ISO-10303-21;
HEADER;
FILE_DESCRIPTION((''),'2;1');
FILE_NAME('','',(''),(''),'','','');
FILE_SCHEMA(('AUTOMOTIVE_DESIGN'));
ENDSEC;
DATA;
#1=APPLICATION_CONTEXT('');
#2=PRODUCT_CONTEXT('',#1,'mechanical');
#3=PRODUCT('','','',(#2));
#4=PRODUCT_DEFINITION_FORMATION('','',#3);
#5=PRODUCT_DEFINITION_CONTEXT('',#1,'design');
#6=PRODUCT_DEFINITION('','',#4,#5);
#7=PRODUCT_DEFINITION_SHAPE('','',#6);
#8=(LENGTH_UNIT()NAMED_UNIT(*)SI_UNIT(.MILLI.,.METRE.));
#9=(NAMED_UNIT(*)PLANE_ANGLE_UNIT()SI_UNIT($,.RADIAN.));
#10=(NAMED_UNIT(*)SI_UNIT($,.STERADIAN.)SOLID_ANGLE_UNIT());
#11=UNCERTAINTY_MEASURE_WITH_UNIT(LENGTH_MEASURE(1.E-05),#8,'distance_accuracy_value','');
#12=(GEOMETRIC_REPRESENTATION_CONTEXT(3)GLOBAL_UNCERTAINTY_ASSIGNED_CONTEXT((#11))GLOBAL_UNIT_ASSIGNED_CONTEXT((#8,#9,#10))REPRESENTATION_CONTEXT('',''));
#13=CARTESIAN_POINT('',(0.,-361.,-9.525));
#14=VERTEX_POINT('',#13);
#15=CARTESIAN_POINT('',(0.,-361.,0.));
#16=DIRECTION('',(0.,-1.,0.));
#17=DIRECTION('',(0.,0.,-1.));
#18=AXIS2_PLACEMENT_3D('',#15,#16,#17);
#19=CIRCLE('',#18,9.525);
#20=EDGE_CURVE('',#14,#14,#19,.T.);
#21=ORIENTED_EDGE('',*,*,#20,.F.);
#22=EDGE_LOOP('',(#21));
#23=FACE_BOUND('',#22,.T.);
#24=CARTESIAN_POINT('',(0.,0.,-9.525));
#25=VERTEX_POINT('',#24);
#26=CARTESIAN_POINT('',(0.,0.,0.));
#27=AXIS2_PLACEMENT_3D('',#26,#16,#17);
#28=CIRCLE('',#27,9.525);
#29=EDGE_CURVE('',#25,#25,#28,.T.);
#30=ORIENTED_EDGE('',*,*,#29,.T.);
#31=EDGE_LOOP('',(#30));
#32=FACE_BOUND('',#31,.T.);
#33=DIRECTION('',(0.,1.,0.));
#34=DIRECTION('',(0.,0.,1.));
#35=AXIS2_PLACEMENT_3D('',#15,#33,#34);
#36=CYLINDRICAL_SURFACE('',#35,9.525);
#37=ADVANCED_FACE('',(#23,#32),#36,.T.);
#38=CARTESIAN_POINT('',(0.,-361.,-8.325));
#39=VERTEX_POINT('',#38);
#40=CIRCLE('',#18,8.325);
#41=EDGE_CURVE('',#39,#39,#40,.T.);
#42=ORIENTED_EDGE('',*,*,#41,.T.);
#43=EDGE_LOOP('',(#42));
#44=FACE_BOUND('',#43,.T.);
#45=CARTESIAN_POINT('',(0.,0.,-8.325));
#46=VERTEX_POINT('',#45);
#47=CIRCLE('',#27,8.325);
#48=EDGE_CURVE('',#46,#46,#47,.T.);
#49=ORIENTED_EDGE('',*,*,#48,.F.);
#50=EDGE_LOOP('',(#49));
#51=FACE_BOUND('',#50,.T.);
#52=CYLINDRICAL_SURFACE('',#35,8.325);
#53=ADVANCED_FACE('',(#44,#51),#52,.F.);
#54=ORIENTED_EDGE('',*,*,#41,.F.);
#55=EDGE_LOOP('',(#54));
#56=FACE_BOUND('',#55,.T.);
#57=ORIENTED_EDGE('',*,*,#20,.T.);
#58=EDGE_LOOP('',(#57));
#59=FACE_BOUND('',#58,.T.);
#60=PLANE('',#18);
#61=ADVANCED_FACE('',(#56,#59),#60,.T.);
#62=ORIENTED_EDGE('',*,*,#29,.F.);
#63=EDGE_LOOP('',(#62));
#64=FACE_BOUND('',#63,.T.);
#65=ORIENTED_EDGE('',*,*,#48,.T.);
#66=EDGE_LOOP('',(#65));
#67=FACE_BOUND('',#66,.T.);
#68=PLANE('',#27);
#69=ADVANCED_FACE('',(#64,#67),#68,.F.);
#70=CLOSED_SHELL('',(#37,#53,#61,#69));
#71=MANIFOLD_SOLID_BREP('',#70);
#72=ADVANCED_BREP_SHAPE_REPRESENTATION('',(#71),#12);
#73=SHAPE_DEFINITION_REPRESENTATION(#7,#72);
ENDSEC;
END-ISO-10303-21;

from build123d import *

# Parameters (mm, degrees)
SKETCH1_R      = 9.525
SKETCH1_R_2    = 8.325
EXTRUDE1_DEPTH = 361


with BuildPart() as part:
    # Sketch1 → Extrude1 (new body)
    with BuildSketch(Plane.XZ):
        Circle(SKETCH1_R)
        Circle(SKETCH1_R_2, mode=Mode.SUBTRACT)
    extrude(amount=EXTRUDE1_DEPTH)


solid = part.part
